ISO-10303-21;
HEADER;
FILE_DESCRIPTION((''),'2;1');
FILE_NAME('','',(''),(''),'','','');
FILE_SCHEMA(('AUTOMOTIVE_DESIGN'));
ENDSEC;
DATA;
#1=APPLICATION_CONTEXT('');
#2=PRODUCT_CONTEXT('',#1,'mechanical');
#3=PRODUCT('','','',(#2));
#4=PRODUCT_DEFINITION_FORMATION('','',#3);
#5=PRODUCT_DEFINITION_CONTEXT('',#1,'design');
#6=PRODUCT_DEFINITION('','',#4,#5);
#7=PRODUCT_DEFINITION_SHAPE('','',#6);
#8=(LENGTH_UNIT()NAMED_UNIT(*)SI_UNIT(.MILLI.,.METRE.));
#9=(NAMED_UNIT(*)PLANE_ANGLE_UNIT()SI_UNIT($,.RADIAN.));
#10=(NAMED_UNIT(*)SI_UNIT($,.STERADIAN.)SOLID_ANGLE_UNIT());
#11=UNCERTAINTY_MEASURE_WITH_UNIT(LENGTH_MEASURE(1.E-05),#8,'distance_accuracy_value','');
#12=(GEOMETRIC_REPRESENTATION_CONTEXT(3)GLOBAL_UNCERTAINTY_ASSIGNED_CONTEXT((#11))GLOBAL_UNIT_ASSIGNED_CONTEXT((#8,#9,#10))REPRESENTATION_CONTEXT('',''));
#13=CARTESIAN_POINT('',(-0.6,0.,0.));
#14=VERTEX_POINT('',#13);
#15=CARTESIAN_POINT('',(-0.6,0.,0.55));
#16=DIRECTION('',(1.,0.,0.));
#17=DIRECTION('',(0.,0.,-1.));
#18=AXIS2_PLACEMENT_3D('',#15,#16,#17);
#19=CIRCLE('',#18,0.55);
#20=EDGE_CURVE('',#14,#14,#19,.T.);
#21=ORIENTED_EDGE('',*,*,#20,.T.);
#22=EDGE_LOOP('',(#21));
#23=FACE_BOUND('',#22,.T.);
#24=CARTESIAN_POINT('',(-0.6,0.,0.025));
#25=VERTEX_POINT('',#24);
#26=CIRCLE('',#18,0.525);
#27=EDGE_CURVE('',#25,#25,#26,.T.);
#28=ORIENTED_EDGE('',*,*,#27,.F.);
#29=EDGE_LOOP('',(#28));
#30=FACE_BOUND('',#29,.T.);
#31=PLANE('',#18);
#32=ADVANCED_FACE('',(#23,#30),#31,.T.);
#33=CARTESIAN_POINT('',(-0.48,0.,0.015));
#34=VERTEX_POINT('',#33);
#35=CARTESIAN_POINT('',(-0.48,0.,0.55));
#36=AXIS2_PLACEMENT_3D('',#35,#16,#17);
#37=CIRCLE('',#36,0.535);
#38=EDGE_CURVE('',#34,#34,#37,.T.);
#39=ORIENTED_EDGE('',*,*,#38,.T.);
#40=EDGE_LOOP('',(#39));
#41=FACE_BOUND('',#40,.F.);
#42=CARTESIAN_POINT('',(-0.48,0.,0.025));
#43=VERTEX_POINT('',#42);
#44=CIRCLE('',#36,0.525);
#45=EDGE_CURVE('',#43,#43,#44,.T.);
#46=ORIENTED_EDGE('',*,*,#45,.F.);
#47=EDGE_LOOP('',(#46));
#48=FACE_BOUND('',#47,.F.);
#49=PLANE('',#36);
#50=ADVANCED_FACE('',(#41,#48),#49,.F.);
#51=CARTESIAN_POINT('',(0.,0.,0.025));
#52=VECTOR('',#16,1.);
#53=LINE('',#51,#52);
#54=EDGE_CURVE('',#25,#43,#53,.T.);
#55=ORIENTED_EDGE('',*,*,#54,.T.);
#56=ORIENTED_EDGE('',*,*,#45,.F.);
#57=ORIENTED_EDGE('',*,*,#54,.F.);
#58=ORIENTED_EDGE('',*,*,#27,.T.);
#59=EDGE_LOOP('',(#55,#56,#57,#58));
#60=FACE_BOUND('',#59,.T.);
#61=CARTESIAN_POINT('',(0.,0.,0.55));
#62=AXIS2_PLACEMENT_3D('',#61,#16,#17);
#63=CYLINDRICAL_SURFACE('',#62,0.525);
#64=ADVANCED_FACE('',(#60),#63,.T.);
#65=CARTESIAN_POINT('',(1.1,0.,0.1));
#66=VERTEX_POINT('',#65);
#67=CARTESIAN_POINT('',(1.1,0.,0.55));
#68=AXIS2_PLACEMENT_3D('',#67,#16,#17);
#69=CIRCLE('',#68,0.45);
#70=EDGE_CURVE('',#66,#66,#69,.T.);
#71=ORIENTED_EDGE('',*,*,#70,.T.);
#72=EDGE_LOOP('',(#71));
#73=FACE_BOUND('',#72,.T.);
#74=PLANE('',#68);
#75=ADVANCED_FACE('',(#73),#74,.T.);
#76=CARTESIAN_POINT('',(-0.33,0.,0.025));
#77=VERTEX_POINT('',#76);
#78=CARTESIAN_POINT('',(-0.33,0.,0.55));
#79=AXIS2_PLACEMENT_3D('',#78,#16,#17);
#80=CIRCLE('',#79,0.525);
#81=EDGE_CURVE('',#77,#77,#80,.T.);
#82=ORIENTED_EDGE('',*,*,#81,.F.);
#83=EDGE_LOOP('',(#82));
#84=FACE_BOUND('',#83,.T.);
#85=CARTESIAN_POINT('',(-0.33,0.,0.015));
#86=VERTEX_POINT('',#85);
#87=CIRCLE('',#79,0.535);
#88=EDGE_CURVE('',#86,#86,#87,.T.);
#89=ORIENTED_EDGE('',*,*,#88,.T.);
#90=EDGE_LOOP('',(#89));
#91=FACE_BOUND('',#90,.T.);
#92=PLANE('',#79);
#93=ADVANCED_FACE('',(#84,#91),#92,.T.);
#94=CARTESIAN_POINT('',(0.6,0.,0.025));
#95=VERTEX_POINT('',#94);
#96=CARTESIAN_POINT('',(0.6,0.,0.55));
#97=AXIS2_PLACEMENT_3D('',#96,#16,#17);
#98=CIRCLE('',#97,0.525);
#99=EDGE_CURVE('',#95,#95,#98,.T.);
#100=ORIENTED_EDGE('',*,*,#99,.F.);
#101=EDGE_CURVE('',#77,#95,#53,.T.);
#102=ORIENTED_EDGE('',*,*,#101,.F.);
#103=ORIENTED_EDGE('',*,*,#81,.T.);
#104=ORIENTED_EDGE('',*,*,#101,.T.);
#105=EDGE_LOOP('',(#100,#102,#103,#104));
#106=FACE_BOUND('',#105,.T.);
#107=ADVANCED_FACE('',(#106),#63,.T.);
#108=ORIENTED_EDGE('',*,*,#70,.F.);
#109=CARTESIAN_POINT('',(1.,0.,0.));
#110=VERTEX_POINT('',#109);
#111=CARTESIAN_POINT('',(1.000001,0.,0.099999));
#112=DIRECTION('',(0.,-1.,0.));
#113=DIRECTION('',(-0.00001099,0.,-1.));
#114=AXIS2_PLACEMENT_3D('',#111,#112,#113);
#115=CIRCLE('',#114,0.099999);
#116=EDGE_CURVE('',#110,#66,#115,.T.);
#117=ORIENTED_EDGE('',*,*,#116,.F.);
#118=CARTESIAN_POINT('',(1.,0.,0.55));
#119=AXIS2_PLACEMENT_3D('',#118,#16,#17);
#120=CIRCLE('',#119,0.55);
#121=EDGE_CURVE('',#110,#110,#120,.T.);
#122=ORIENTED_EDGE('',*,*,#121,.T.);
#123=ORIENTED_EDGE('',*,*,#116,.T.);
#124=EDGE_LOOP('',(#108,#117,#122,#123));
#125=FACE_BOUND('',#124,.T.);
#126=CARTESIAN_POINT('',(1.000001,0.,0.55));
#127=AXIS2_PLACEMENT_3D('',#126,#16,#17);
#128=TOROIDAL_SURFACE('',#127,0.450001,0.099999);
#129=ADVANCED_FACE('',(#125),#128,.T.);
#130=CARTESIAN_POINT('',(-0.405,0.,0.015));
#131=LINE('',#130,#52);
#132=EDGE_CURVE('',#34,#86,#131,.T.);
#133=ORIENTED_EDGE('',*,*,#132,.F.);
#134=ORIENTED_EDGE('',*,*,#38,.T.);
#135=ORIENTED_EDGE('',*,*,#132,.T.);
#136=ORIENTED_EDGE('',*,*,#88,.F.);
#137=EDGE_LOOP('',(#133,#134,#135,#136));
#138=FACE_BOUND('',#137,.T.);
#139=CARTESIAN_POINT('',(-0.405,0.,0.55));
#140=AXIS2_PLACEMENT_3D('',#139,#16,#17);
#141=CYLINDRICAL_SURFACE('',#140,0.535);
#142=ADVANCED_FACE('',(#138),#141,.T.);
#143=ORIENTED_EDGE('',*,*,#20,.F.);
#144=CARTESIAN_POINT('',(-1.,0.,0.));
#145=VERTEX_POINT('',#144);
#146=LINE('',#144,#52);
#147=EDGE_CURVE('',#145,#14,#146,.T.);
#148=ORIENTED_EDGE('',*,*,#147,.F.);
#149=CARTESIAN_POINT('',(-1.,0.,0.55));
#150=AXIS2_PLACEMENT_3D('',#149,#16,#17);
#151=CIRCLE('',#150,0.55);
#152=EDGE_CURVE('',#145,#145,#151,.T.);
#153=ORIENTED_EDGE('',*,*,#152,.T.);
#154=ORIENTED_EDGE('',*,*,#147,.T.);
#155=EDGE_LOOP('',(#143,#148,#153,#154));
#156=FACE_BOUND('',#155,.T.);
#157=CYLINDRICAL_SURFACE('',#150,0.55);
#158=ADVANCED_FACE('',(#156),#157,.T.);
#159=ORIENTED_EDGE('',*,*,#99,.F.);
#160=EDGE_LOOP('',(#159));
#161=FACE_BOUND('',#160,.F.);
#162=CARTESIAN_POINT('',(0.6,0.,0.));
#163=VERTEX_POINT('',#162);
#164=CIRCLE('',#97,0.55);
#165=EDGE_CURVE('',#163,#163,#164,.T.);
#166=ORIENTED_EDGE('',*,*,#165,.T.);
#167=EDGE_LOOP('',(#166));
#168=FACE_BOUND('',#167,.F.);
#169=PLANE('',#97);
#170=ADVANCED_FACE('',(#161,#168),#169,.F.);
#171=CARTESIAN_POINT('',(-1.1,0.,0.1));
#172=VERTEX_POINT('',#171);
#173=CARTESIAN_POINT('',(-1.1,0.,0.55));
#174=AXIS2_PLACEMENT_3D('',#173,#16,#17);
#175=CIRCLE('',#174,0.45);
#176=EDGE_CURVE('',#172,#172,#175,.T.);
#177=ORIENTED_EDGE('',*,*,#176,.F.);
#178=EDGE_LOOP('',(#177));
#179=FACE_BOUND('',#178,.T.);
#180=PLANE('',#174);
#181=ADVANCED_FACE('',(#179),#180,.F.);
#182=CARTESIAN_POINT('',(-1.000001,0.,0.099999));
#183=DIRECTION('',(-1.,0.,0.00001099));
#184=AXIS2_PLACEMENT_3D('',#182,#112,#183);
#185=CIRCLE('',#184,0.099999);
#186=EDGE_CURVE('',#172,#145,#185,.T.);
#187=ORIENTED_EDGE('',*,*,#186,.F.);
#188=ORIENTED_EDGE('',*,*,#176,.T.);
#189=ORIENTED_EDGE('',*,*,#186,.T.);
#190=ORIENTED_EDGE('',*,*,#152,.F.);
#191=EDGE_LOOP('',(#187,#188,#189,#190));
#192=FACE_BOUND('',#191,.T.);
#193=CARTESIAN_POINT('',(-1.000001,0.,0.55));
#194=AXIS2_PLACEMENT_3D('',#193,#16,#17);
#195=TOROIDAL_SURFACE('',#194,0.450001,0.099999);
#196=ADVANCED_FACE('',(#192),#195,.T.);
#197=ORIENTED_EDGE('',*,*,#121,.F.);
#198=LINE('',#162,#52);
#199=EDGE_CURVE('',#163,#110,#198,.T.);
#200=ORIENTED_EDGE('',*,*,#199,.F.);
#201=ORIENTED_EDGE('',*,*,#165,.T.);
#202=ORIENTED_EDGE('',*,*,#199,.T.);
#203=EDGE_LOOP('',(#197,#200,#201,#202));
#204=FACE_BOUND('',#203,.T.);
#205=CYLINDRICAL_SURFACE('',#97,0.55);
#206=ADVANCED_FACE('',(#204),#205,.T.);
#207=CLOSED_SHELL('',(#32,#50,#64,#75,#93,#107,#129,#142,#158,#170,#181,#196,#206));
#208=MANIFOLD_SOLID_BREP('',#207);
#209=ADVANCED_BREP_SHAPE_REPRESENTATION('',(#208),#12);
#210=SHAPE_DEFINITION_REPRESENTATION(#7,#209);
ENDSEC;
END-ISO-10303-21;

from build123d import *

# Parameters (mm, degrees)
SKETCH_W    = 1.7
SKETCH_H    = 0.525
SKETCH002_W = 0.15
SKETCH002_H = 0.02


with BuildPart() as revolution001:
    # Sketch001 → Revolution001 (revolve)
    with BuildSketch(Plane.XZ):
        with BuildLine():
            Line((-1, 0), (-0.6, 0))
            Line((-0.6, 0), (-0.6, 0.13))
            Line((-0.6, 0.13), (0.6, 0.13))
            Line((0.6, 0), (0.6, 0.13))
            Line((0.6, 0), (1, 0))
            ThreePointArc((1, 0), (1.070711, 0.029289), (1.1, 0.1))
            Line((1.1, 0.1), (1.1, 0.55))
            Line((-1.1, 0.55), (1.1, 0.55))
            Line((-1.1, 0.55), (-1.1, 0.1))
            ThreePointArc((-1.1, 0.1), (-1.070711, 0.029289), (-1, 0))
        make_face()
    revolve(axis=Axis((-8.9, 0, 0.55), (1, 0, 0)))


with BuildPart() as revolution:
    # Sketch → Revolution (revolve)
    with BuildSketch(Plane.XZ):
        with Locations((0, 0.2875)):
            Rectangle(SKETCH_W, SKETCH_H)
    revolve(axis=Axis((-15.061842, 0, 0.55), (1, 0, 0)))


with BuildPart() as d_micromelf_standard:
    # Sketch002 → Revolution002 (revolve)
    with BuildSketch(Plane.XZ):
        with Locations((-0.405, 0.025)):
            Rectangle(SKETCH002_W, SKETCH002_H)
    revolve(axis=Axis((-15.061842, 0, 0.55), (1, 0, 0)))

    # Fusion: union Revolution001, Revolution
    add(revolution001.part)
    add(revolution.part)


solid = d_micromelf_standard.part
